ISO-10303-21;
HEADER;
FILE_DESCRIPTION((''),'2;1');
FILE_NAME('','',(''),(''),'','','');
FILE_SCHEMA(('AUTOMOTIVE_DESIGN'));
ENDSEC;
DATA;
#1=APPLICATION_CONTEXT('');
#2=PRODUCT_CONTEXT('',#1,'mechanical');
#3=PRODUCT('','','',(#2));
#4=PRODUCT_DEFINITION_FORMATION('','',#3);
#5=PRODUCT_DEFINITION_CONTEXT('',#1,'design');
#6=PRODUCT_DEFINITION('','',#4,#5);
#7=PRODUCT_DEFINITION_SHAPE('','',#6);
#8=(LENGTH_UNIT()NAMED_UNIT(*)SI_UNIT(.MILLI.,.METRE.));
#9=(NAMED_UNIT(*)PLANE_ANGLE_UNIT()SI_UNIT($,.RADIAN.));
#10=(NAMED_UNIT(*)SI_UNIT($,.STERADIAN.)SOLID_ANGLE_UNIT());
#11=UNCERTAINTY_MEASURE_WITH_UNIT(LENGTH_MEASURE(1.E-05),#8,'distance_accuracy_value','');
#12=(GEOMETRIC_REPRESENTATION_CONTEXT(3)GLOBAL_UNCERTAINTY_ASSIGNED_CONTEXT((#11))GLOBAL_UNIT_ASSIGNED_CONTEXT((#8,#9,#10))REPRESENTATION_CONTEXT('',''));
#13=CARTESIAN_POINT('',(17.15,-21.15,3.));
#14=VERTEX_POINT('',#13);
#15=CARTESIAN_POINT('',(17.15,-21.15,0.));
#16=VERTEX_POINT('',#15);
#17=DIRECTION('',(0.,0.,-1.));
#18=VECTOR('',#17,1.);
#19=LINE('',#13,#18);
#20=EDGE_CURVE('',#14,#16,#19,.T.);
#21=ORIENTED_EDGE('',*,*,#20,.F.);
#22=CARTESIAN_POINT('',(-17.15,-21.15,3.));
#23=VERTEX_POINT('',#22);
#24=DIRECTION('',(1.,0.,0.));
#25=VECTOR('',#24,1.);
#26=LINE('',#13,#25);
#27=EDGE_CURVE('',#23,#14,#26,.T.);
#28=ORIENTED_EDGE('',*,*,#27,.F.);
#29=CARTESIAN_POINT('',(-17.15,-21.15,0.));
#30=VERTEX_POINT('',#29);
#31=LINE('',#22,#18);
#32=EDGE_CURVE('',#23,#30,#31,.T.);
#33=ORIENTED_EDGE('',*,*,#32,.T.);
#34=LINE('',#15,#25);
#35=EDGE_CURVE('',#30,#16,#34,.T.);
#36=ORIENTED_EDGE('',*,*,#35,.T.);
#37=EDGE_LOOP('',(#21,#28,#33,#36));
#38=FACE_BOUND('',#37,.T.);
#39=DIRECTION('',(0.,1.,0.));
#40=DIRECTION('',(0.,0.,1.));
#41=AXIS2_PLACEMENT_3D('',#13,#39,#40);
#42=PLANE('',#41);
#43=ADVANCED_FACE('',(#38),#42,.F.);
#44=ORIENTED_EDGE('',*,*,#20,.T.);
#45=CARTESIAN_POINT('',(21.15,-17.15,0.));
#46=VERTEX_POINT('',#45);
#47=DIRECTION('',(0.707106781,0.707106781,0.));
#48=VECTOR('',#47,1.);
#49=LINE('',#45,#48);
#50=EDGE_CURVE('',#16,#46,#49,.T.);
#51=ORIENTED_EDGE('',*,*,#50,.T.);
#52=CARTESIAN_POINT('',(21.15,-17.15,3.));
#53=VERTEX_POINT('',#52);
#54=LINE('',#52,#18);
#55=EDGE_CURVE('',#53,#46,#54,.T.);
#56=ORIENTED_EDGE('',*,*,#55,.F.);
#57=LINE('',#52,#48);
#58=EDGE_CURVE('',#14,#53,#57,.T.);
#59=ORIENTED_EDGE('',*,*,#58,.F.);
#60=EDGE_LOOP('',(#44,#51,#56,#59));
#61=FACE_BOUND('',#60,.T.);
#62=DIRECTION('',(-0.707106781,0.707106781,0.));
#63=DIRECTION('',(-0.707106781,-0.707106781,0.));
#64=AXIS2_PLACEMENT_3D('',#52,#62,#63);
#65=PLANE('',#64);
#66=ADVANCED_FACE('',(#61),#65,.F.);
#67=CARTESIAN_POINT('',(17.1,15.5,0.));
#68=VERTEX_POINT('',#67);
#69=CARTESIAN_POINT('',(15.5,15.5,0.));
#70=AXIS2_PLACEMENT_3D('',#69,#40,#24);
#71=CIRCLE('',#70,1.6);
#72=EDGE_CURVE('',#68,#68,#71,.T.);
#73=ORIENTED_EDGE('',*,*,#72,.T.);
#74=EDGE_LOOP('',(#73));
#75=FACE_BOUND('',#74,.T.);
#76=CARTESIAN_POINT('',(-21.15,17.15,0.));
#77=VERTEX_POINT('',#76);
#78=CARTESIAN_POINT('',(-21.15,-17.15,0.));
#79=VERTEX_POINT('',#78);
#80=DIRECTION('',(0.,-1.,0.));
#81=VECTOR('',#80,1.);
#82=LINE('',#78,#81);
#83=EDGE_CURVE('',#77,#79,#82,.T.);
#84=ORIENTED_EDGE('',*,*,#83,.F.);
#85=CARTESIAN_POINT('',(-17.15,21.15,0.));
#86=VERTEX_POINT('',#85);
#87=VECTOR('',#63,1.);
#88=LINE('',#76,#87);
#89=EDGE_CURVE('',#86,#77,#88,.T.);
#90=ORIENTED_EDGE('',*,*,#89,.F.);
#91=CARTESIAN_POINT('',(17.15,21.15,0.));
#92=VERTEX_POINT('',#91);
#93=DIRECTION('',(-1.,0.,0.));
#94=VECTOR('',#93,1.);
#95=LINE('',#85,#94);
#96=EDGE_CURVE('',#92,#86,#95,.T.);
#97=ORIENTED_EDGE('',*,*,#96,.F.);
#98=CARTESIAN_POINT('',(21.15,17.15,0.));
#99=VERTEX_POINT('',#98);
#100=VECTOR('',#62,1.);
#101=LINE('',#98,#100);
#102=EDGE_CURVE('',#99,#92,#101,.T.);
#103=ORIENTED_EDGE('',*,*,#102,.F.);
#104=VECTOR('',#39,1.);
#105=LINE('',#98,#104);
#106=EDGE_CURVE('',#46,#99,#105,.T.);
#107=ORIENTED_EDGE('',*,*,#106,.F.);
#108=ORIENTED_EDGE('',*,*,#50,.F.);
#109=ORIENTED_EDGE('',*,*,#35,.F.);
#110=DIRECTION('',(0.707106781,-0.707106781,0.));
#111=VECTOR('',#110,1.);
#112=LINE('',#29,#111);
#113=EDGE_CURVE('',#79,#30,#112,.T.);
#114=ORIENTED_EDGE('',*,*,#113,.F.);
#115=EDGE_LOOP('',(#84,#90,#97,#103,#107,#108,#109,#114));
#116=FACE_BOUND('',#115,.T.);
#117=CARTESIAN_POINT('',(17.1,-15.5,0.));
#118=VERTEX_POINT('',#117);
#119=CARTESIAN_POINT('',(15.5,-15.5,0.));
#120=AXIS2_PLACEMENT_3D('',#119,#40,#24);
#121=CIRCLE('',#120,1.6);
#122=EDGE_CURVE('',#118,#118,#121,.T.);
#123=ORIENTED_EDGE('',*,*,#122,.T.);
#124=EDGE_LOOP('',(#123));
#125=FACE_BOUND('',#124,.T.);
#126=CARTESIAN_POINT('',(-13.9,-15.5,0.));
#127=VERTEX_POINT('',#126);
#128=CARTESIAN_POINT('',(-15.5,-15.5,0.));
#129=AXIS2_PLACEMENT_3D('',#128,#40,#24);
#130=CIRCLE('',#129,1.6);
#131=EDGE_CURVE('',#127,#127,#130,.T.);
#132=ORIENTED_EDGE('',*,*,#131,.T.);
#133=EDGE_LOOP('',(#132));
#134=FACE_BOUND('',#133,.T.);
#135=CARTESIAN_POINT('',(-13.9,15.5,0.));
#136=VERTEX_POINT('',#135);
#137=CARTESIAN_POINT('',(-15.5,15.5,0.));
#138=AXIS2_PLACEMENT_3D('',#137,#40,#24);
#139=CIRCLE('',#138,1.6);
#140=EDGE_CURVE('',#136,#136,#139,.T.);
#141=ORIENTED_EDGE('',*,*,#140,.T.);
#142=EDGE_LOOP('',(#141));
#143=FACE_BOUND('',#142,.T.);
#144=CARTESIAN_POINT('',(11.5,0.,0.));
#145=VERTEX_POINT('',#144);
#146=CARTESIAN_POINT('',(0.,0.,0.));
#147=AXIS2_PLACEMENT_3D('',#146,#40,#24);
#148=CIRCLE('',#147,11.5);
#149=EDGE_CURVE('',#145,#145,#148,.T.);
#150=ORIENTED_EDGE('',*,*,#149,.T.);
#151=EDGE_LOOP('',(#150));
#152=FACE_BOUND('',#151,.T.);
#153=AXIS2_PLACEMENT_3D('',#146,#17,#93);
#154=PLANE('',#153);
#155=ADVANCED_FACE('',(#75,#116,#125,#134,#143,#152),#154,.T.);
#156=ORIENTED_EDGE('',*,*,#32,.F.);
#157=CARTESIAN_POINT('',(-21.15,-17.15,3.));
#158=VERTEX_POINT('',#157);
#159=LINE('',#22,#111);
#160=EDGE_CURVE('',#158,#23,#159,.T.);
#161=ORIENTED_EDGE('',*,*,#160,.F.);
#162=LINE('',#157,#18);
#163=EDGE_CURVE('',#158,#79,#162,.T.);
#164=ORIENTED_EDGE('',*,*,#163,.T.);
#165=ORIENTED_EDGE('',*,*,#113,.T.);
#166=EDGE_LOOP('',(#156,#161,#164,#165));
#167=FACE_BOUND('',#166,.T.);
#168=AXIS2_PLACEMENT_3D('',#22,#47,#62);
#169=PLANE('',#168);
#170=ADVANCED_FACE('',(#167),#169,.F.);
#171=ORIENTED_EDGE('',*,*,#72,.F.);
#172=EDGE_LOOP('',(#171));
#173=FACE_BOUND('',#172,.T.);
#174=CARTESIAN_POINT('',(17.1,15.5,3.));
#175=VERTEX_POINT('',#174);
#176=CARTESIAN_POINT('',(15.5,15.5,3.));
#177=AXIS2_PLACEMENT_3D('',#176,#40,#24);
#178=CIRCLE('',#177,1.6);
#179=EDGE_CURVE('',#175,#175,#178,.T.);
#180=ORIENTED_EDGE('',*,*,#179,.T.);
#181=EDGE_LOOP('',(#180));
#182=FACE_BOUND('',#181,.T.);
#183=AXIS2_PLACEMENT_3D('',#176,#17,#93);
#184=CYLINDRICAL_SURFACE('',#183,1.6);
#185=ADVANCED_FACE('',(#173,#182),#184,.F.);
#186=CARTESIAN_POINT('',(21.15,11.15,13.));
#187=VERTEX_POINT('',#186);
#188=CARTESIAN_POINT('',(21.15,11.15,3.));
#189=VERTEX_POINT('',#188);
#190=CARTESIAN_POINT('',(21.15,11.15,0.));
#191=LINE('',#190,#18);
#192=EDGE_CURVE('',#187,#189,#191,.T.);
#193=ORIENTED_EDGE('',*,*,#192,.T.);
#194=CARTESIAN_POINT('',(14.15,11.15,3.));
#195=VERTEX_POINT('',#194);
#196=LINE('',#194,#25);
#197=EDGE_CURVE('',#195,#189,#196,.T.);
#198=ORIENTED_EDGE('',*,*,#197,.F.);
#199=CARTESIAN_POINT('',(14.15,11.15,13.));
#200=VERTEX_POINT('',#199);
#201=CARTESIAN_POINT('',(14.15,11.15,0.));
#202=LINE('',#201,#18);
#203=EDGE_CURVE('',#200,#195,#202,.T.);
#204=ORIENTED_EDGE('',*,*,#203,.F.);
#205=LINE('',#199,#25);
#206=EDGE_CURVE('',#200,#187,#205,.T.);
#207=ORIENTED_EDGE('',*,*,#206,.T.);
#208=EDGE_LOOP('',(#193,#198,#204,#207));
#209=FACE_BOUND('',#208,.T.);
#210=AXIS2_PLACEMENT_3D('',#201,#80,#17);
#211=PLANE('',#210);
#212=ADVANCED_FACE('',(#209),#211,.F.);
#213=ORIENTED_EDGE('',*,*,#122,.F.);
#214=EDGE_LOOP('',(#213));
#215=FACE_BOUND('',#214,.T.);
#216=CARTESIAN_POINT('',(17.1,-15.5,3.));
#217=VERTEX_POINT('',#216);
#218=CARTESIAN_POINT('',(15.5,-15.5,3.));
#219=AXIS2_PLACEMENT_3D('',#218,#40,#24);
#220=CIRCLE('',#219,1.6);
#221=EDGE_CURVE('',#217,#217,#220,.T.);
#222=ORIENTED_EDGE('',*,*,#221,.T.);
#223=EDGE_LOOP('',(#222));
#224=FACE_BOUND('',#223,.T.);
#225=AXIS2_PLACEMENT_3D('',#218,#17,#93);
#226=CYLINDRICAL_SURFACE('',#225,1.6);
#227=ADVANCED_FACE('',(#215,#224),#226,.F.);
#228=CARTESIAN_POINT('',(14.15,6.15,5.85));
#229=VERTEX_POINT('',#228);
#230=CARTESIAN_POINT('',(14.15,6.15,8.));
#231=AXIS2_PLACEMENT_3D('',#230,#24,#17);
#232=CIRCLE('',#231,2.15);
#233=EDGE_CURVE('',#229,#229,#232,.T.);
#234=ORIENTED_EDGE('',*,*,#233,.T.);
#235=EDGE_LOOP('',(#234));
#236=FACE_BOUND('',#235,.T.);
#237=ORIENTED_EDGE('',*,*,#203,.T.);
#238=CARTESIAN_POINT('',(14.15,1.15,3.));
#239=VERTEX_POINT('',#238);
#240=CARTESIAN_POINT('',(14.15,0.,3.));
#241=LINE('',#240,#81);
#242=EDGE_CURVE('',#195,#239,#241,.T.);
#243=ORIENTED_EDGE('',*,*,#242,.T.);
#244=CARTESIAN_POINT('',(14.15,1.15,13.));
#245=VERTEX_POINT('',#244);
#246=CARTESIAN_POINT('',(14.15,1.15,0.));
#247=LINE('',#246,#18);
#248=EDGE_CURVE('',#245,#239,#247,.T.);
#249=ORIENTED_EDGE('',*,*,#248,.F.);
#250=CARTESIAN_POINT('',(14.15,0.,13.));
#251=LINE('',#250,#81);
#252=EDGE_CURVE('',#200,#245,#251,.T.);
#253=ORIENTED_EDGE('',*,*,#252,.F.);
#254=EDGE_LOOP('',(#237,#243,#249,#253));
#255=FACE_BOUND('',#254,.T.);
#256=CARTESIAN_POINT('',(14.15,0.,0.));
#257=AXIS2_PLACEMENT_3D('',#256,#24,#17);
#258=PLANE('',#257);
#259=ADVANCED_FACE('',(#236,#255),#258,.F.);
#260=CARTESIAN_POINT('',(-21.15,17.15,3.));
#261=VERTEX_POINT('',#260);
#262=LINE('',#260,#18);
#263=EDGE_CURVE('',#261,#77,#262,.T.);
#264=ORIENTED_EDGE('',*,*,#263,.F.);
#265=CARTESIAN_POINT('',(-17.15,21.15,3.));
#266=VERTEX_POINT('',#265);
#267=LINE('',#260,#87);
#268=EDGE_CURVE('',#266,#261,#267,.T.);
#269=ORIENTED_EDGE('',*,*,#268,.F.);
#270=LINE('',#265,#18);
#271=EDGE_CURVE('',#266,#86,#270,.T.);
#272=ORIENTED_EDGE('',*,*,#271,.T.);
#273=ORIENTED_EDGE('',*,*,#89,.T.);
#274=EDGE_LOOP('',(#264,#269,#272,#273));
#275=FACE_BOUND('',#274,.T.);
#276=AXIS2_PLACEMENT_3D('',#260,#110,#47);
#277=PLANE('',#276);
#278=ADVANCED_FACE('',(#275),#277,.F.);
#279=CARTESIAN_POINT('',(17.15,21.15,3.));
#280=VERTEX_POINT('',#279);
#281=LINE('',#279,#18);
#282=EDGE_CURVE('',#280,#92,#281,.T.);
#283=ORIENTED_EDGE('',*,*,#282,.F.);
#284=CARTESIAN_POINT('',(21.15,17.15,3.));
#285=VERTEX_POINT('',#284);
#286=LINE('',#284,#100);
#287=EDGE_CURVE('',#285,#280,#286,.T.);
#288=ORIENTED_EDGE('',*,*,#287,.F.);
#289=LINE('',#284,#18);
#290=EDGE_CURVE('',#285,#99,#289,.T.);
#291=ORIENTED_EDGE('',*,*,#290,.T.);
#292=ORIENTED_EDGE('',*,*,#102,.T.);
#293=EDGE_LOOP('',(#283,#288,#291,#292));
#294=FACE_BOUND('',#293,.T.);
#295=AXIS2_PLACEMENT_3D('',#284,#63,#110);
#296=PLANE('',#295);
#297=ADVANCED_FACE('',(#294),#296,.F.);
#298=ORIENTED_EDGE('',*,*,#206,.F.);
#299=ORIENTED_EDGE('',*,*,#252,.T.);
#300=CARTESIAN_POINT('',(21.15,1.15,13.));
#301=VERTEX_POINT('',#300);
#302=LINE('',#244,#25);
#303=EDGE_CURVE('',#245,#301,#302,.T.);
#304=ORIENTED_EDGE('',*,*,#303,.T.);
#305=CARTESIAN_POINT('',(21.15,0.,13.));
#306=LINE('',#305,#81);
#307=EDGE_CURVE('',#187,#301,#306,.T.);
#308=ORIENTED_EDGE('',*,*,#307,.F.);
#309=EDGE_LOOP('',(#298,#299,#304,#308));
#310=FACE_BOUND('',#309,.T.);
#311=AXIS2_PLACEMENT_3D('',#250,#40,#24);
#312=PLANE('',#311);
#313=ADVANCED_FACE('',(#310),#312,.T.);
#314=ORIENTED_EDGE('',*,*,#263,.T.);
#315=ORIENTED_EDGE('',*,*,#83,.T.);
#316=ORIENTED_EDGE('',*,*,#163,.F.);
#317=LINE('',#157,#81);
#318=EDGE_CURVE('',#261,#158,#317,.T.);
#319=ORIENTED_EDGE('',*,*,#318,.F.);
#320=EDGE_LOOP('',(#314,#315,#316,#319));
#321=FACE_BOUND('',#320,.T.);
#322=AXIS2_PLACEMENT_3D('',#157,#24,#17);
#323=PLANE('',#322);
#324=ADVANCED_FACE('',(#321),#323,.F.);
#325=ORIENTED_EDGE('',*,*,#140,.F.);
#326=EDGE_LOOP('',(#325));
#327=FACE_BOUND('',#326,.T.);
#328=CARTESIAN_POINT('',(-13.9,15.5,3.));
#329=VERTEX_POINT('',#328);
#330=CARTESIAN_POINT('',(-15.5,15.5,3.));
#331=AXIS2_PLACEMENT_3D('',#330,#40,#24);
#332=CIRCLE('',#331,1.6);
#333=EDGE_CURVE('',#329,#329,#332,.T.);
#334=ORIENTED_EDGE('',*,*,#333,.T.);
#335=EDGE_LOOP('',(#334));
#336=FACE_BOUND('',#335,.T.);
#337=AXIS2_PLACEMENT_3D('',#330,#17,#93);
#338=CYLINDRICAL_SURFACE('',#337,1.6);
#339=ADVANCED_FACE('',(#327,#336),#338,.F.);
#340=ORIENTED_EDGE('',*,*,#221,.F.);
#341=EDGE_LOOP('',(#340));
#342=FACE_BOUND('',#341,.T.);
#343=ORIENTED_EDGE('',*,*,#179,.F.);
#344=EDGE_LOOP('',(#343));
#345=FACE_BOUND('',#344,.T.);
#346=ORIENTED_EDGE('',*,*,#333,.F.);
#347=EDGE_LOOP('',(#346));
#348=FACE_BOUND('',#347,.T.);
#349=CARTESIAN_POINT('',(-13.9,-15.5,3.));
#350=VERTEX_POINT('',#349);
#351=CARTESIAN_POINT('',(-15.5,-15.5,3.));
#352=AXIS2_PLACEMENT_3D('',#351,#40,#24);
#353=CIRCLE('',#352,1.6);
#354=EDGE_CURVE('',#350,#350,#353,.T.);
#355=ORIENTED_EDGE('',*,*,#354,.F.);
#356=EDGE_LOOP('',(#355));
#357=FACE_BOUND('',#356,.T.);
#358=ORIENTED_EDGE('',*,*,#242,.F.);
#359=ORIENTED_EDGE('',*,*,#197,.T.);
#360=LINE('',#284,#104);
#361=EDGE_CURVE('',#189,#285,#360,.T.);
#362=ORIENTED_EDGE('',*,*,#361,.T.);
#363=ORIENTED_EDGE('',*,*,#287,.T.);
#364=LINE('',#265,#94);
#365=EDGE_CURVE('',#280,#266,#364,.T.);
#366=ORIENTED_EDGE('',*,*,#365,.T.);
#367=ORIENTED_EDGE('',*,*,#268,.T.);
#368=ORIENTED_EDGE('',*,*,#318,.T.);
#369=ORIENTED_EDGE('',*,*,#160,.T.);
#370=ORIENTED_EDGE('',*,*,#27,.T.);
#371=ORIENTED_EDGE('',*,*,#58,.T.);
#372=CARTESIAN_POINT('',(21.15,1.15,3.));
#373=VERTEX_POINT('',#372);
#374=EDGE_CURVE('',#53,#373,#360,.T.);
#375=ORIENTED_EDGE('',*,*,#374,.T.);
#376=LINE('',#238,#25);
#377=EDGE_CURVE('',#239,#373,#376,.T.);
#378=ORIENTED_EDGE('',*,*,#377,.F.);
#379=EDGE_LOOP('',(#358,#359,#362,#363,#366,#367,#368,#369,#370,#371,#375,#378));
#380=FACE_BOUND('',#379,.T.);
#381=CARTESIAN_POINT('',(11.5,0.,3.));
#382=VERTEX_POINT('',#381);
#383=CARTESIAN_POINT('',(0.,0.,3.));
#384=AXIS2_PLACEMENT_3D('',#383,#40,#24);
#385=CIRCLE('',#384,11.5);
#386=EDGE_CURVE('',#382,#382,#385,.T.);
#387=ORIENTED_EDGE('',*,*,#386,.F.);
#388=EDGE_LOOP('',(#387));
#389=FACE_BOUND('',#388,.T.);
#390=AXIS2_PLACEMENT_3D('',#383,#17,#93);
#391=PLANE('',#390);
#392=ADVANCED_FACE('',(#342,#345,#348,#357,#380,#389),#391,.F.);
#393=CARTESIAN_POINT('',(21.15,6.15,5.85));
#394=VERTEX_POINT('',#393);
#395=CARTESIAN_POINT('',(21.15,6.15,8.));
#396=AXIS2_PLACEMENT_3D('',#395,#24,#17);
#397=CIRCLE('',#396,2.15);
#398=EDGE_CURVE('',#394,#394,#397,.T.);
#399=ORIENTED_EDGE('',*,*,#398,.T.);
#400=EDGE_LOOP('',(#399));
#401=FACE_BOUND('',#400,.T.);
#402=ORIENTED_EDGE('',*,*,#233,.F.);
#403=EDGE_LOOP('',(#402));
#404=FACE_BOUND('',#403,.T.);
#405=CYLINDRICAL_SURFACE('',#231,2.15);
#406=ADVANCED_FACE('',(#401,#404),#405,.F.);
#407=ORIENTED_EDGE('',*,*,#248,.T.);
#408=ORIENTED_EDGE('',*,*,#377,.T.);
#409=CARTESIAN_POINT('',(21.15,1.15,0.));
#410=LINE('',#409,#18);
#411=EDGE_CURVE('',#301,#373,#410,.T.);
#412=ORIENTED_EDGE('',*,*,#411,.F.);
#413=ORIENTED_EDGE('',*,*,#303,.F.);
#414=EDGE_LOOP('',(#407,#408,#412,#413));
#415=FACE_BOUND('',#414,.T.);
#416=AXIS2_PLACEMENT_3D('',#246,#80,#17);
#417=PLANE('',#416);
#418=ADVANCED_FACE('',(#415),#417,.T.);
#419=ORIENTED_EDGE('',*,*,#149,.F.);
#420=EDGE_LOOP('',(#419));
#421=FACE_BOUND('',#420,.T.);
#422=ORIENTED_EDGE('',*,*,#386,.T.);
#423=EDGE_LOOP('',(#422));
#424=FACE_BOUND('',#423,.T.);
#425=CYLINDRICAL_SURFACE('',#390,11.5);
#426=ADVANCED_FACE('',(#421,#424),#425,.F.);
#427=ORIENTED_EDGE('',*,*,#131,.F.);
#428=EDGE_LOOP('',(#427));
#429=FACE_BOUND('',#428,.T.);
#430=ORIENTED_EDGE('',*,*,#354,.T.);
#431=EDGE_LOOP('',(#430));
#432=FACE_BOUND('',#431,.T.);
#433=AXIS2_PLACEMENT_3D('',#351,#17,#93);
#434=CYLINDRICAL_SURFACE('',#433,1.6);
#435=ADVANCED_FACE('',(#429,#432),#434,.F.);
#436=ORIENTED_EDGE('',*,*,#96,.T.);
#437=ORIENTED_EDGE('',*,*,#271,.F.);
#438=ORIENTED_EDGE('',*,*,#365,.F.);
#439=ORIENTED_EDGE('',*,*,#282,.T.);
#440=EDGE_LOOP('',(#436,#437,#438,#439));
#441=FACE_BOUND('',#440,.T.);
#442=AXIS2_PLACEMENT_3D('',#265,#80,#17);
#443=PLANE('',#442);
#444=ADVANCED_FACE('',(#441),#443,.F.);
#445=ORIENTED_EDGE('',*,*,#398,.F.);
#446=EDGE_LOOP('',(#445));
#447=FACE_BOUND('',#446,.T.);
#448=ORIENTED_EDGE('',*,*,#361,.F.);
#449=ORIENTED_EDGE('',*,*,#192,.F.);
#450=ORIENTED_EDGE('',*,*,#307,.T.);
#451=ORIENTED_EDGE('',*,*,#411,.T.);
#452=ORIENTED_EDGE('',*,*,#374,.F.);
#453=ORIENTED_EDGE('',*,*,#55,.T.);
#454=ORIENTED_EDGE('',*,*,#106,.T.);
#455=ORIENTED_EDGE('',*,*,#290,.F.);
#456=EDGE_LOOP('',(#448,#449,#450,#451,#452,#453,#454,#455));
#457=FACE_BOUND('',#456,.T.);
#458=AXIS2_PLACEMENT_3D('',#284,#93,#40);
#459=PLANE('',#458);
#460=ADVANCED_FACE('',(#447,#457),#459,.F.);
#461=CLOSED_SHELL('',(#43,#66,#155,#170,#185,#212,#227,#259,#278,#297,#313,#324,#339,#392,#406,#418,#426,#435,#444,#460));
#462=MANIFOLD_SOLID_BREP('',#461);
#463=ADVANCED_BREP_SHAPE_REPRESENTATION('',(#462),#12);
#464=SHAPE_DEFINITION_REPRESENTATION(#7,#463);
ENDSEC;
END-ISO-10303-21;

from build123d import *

# Parameters (mm, degrees)
CROQUIS1_R              = 11.5
CROQUIS1_R_2            = 1.6
SALIENTE_EXTRUIR1_DEPTH = 3
CROQUIS2_W              = 10
CROQUIS2_H              = 10
CROQUIS2_R              = 2.15
SALIENTE_EXTRUIR2_DEPTH = 7


with BuildPart() as part:
    # Croquis1 → Saliente-Extruir1 (new body)
    with BuildSketch(Plane.XY):
        Polygon((21.15, 17.15), (17.15, 21.15), (-17.15, 21.15), (-21.15, 17.15), (-21.15, -17.15), (-17.15, -21.15), (17.15, -21.15), (21.15, -17.15), align=None)
        Circle(CROQUIS1_R, mode=Mode.SUBTRACT)
        with Locations((15.5, 15.5)):
            Circle(CROQUIS1_R_2, mode=Mode.SUBTRACT)
        with Locations((15.5, -15.5)):
            Circle(CROQUIS1_R_2, mode=Mode.SUBTRACT)
        with Locations((-15.5, -15.5)):
            Circle(CROQUIS1_R_2, mode=Mode.SUBTRACT)
        with Locations((-15.5, 15.5)):
            Circle(CROQUIS1_R_2, mode=Mode.SUBTRACT)
    extrude(amount=SALIENTE_EXTRUIR1_DEPTH)

    # Croquis2 → Saliente-Extruir2 (add)
    with BuildSketch(Plane(origin=(21.15, 0, 0), x_dir=(0, 0, -1), z_dir=(1, 0, 0))):
        with Locations((-8, 6.15)):
            Rectangle(CROQUIS2_W, CROQUIS2_H)
        with Locations((-8, 6.15)):
            Circle(CROQUIS2_R, mode=Mode.SUBTRACT)
    extrude(amount=-SALIENTE_EXTRUIR2_DEPTH)


solid = part.part
